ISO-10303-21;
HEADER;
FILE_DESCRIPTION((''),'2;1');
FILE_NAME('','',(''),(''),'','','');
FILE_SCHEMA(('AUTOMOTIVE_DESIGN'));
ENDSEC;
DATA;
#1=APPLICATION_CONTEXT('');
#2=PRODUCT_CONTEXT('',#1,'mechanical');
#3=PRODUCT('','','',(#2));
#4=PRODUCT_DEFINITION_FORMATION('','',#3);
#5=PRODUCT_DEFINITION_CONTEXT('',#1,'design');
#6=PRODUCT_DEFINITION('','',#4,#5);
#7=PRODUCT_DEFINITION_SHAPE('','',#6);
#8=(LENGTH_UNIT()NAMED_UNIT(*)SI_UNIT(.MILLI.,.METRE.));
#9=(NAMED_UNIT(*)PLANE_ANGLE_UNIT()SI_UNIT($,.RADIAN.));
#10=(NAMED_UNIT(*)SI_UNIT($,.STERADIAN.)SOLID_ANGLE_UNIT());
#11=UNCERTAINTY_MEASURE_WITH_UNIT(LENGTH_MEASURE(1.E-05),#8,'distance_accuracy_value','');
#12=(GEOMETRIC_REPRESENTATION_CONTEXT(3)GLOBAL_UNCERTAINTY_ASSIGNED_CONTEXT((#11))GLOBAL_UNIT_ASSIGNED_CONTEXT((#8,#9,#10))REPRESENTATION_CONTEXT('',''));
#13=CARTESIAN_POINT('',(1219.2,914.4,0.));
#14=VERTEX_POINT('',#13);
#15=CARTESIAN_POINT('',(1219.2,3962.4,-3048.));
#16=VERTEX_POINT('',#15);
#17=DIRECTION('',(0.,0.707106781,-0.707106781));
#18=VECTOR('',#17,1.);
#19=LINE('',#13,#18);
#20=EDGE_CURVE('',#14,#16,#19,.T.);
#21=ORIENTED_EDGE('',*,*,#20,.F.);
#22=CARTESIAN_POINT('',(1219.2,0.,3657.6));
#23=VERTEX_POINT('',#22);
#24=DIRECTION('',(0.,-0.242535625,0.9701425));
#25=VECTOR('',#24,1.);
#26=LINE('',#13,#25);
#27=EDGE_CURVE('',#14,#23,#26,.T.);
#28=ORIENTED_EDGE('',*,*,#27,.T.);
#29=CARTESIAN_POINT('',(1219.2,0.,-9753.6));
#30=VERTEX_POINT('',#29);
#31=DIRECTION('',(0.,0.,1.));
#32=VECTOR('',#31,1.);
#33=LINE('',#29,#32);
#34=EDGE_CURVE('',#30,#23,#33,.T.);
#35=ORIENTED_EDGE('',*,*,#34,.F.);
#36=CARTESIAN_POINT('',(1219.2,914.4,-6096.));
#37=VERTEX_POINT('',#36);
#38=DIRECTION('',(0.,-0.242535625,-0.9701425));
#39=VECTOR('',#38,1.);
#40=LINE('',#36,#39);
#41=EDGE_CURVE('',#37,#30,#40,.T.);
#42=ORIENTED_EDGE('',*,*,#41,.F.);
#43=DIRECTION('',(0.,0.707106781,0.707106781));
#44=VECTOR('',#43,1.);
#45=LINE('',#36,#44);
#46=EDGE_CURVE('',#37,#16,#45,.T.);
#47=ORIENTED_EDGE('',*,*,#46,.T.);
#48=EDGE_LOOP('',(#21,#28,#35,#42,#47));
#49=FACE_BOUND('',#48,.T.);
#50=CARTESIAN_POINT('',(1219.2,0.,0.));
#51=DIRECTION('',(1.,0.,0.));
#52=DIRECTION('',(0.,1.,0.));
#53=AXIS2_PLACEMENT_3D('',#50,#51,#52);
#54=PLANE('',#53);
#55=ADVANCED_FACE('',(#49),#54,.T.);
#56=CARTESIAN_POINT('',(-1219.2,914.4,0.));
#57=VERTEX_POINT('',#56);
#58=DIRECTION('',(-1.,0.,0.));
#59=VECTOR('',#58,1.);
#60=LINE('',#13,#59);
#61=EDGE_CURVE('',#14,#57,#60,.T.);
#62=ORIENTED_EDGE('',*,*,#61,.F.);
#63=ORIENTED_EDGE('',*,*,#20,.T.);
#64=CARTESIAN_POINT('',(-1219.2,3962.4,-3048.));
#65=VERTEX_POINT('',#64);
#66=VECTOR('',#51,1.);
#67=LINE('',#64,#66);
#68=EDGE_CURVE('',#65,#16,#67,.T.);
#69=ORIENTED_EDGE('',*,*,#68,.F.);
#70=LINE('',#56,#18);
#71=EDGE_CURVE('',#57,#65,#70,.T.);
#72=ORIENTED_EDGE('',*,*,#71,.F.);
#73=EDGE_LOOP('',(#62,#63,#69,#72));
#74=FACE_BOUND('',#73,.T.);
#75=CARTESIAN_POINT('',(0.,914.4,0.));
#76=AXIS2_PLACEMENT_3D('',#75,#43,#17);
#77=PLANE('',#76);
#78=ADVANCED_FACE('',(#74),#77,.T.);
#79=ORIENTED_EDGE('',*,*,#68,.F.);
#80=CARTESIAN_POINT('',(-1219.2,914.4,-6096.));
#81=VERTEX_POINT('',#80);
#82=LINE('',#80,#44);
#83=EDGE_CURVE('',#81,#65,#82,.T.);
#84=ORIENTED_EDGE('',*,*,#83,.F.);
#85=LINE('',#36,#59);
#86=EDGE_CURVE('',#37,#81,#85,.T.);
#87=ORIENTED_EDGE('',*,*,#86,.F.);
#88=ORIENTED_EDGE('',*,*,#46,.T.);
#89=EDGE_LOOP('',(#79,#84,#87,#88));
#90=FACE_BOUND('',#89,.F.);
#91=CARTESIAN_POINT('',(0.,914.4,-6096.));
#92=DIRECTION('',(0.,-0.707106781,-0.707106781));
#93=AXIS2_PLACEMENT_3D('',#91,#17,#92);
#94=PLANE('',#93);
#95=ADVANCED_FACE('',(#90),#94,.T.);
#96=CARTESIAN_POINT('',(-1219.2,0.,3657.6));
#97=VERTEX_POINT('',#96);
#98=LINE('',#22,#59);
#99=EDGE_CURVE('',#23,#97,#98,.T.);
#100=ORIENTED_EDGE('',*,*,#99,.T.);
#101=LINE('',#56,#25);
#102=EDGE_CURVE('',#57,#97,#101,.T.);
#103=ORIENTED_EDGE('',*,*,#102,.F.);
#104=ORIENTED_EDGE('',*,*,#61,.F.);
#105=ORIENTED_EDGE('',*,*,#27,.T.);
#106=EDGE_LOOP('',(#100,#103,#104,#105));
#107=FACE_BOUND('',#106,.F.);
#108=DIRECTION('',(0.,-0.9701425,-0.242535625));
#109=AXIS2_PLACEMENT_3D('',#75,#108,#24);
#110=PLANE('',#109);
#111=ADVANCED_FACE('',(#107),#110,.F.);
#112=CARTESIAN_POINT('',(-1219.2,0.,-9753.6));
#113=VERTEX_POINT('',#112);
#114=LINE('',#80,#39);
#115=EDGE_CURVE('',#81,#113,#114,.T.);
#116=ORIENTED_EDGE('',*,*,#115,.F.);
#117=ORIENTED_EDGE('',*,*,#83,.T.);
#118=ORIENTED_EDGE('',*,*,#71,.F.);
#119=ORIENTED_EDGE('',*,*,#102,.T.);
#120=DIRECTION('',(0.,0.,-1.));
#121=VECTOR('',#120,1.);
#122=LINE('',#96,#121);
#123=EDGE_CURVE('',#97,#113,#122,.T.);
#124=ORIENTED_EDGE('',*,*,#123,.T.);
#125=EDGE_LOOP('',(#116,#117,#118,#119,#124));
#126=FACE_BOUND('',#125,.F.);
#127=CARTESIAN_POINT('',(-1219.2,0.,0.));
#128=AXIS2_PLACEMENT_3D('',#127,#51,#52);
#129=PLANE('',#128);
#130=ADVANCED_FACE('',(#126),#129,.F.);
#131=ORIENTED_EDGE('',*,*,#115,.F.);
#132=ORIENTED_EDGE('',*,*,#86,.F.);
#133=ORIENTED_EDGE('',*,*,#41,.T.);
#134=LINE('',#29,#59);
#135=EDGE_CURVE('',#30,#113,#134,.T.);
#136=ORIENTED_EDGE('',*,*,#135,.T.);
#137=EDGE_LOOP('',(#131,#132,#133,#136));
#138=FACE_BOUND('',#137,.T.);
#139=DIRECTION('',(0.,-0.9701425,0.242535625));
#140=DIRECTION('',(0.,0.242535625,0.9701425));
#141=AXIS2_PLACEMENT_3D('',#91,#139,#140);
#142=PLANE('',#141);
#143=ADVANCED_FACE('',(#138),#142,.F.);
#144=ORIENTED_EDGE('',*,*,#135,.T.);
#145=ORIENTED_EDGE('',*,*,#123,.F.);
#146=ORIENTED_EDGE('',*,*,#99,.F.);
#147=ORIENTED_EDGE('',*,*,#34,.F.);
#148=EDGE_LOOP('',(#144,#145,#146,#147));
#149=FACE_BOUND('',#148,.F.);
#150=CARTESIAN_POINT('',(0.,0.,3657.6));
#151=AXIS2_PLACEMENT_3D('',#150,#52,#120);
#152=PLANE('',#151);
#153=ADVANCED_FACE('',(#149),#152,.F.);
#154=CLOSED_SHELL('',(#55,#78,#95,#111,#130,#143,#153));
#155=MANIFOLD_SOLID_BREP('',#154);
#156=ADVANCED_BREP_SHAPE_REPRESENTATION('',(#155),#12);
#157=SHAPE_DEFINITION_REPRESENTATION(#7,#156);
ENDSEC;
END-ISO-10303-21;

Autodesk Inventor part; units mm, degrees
ref_plane "YZ Plane" through (0, 0, 0) normal (1, 0, 0) x (0, 1, 0)
ref_plane "XZ Plane" through (0, 0, 0) normal (0, 1, 0) x (-1, 0, 0)
ref_plane "XY Plane" through (0, 0, 0) normal (0, 0, 1) x (1, 0, 0)
sketch "Sketch1" plane through (0, 0, 0) normal (1, 0, 0) x (0, 1, 0)
  line L0 (0, 0) -> (914.4, 0)
  line L1 (914.4, 0) -> (0, 3657.6)
  line L2 (0, 3657.6) -> (0, 0)
  line L3 (914.4, 0) -> (3962.4, -3048)
  line L4 (3962.4, -3048) -> (914.4, -3048)
  line L5 (914.4, -3048) -> (914.4, 0)
  line L6 (0, 0) -> (0, -3048)
  line L7 (0, -3048) -> (914.4, -3048)
  dimension "rise" = 914.4
  dimension "run" = 3657.6
  dimension "roofAngle" = 14.036
  dimension "d9" = 45
  dimension "d10" = 3048
extrude "Extrusion1" add sketch "Sketch1" along normal mid plane 2438.4
mirror "Mirror1" about plane through (0, 0, -3048) normal (0, 0, -1) of "Extrusion1"
properties part number "roof" material "PET Plastic"
